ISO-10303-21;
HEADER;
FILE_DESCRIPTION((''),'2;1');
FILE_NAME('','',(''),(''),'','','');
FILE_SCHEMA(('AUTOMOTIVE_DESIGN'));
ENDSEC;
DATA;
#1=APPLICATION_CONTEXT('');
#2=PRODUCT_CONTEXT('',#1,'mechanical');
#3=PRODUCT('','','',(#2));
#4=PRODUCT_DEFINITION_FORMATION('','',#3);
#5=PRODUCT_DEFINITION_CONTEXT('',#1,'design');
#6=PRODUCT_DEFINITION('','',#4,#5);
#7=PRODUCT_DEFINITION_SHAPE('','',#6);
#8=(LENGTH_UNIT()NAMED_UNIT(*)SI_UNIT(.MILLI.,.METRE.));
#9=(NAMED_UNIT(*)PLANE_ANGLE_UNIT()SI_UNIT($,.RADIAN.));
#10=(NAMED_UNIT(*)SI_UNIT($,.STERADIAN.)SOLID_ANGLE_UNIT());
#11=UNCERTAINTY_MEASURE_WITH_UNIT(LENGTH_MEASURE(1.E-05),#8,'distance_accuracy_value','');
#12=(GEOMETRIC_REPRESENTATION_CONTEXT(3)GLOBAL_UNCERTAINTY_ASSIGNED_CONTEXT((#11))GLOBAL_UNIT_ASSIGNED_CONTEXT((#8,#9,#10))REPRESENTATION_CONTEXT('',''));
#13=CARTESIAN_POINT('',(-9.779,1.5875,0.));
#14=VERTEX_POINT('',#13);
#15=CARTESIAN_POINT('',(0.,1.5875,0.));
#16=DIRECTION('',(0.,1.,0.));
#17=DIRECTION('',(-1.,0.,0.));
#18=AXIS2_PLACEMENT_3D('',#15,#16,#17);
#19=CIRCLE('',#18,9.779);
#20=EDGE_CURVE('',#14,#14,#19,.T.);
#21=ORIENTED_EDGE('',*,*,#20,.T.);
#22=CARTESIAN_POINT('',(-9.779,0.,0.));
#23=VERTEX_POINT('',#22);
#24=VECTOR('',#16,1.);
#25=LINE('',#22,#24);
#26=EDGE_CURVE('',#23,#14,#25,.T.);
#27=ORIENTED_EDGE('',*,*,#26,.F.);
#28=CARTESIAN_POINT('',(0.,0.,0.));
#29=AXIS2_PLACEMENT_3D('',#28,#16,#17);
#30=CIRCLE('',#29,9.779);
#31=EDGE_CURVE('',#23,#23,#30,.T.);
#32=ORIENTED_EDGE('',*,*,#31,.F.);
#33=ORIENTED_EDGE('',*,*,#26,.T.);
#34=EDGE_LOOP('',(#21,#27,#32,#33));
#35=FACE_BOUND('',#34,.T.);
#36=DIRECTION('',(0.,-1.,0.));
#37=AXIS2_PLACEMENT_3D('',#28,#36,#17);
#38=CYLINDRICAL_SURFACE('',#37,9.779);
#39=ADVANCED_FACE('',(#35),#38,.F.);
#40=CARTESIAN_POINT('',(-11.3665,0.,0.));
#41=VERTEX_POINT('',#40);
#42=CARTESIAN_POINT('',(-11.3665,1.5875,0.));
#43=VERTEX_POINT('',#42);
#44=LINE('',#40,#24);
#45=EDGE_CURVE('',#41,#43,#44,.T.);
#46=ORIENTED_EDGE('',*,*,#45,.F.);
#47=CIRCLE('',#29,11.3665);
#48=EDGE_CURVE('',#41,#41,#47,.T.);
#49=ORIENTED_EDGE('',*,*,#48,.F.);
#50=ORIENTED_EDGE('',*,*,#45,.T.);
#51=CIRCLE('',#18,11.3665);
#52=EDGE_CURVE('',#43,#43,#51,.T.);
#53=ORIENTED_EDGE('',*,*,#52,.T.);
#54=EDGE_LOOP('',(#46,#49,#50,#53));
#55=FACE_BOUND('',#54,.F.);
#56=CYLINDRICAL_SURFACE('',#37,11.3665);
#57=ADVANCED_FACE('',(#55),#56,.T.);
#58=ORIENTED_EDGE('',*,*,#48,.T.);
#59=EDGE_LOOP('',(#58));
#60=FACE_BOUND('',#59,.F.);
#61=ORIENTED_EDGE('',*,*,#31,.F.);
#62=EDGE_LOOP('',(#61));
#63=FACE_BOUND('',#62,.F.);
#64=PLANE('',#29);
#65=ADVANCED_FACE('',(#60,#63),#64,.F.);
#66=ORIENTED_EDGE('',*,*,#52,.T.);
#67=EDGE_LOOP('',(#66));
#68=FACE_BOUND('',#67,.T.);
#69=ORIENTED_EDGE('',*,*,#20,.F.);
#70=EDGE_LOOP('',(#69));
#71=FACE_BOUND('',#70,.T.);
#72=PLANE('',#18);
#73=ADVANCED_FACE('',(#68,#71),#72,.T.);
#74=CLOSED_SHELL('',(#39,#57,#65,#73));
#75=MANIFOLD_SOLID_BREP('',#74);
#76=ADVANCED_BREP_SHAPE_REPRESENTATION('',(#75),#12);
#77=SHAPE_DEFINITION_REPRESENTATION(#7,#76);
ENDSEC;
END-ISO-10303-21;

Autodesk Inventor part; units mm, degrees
ref_plane "YZ Plane" through (0, 0, 0) normal (1, 0, 0) x (0, 1, 0)
ref_plane "XZ Plane" through (0, 0, 0) normal (0, 1, 0) x (-1, 0, 0)
ref_plane "XY Plane" through (0, 0, 0) normal (0, 0, 1) x (1, 0, 0)
sketch "Sketch1" plane through (0, 0, 0) normal (0, 1, 0) x (-1, 0, 0)
  circle A0 centre (0, 0) radius 9.779
  circle A1 centre (0, 0) radius 11.3665
  dimension "d0" = 19.558
  dimension "d1" = 1.5875
extrude "Extrusion1" add sketch "Sketch1" along normal blind 1.5875
properties part number "ring2"
